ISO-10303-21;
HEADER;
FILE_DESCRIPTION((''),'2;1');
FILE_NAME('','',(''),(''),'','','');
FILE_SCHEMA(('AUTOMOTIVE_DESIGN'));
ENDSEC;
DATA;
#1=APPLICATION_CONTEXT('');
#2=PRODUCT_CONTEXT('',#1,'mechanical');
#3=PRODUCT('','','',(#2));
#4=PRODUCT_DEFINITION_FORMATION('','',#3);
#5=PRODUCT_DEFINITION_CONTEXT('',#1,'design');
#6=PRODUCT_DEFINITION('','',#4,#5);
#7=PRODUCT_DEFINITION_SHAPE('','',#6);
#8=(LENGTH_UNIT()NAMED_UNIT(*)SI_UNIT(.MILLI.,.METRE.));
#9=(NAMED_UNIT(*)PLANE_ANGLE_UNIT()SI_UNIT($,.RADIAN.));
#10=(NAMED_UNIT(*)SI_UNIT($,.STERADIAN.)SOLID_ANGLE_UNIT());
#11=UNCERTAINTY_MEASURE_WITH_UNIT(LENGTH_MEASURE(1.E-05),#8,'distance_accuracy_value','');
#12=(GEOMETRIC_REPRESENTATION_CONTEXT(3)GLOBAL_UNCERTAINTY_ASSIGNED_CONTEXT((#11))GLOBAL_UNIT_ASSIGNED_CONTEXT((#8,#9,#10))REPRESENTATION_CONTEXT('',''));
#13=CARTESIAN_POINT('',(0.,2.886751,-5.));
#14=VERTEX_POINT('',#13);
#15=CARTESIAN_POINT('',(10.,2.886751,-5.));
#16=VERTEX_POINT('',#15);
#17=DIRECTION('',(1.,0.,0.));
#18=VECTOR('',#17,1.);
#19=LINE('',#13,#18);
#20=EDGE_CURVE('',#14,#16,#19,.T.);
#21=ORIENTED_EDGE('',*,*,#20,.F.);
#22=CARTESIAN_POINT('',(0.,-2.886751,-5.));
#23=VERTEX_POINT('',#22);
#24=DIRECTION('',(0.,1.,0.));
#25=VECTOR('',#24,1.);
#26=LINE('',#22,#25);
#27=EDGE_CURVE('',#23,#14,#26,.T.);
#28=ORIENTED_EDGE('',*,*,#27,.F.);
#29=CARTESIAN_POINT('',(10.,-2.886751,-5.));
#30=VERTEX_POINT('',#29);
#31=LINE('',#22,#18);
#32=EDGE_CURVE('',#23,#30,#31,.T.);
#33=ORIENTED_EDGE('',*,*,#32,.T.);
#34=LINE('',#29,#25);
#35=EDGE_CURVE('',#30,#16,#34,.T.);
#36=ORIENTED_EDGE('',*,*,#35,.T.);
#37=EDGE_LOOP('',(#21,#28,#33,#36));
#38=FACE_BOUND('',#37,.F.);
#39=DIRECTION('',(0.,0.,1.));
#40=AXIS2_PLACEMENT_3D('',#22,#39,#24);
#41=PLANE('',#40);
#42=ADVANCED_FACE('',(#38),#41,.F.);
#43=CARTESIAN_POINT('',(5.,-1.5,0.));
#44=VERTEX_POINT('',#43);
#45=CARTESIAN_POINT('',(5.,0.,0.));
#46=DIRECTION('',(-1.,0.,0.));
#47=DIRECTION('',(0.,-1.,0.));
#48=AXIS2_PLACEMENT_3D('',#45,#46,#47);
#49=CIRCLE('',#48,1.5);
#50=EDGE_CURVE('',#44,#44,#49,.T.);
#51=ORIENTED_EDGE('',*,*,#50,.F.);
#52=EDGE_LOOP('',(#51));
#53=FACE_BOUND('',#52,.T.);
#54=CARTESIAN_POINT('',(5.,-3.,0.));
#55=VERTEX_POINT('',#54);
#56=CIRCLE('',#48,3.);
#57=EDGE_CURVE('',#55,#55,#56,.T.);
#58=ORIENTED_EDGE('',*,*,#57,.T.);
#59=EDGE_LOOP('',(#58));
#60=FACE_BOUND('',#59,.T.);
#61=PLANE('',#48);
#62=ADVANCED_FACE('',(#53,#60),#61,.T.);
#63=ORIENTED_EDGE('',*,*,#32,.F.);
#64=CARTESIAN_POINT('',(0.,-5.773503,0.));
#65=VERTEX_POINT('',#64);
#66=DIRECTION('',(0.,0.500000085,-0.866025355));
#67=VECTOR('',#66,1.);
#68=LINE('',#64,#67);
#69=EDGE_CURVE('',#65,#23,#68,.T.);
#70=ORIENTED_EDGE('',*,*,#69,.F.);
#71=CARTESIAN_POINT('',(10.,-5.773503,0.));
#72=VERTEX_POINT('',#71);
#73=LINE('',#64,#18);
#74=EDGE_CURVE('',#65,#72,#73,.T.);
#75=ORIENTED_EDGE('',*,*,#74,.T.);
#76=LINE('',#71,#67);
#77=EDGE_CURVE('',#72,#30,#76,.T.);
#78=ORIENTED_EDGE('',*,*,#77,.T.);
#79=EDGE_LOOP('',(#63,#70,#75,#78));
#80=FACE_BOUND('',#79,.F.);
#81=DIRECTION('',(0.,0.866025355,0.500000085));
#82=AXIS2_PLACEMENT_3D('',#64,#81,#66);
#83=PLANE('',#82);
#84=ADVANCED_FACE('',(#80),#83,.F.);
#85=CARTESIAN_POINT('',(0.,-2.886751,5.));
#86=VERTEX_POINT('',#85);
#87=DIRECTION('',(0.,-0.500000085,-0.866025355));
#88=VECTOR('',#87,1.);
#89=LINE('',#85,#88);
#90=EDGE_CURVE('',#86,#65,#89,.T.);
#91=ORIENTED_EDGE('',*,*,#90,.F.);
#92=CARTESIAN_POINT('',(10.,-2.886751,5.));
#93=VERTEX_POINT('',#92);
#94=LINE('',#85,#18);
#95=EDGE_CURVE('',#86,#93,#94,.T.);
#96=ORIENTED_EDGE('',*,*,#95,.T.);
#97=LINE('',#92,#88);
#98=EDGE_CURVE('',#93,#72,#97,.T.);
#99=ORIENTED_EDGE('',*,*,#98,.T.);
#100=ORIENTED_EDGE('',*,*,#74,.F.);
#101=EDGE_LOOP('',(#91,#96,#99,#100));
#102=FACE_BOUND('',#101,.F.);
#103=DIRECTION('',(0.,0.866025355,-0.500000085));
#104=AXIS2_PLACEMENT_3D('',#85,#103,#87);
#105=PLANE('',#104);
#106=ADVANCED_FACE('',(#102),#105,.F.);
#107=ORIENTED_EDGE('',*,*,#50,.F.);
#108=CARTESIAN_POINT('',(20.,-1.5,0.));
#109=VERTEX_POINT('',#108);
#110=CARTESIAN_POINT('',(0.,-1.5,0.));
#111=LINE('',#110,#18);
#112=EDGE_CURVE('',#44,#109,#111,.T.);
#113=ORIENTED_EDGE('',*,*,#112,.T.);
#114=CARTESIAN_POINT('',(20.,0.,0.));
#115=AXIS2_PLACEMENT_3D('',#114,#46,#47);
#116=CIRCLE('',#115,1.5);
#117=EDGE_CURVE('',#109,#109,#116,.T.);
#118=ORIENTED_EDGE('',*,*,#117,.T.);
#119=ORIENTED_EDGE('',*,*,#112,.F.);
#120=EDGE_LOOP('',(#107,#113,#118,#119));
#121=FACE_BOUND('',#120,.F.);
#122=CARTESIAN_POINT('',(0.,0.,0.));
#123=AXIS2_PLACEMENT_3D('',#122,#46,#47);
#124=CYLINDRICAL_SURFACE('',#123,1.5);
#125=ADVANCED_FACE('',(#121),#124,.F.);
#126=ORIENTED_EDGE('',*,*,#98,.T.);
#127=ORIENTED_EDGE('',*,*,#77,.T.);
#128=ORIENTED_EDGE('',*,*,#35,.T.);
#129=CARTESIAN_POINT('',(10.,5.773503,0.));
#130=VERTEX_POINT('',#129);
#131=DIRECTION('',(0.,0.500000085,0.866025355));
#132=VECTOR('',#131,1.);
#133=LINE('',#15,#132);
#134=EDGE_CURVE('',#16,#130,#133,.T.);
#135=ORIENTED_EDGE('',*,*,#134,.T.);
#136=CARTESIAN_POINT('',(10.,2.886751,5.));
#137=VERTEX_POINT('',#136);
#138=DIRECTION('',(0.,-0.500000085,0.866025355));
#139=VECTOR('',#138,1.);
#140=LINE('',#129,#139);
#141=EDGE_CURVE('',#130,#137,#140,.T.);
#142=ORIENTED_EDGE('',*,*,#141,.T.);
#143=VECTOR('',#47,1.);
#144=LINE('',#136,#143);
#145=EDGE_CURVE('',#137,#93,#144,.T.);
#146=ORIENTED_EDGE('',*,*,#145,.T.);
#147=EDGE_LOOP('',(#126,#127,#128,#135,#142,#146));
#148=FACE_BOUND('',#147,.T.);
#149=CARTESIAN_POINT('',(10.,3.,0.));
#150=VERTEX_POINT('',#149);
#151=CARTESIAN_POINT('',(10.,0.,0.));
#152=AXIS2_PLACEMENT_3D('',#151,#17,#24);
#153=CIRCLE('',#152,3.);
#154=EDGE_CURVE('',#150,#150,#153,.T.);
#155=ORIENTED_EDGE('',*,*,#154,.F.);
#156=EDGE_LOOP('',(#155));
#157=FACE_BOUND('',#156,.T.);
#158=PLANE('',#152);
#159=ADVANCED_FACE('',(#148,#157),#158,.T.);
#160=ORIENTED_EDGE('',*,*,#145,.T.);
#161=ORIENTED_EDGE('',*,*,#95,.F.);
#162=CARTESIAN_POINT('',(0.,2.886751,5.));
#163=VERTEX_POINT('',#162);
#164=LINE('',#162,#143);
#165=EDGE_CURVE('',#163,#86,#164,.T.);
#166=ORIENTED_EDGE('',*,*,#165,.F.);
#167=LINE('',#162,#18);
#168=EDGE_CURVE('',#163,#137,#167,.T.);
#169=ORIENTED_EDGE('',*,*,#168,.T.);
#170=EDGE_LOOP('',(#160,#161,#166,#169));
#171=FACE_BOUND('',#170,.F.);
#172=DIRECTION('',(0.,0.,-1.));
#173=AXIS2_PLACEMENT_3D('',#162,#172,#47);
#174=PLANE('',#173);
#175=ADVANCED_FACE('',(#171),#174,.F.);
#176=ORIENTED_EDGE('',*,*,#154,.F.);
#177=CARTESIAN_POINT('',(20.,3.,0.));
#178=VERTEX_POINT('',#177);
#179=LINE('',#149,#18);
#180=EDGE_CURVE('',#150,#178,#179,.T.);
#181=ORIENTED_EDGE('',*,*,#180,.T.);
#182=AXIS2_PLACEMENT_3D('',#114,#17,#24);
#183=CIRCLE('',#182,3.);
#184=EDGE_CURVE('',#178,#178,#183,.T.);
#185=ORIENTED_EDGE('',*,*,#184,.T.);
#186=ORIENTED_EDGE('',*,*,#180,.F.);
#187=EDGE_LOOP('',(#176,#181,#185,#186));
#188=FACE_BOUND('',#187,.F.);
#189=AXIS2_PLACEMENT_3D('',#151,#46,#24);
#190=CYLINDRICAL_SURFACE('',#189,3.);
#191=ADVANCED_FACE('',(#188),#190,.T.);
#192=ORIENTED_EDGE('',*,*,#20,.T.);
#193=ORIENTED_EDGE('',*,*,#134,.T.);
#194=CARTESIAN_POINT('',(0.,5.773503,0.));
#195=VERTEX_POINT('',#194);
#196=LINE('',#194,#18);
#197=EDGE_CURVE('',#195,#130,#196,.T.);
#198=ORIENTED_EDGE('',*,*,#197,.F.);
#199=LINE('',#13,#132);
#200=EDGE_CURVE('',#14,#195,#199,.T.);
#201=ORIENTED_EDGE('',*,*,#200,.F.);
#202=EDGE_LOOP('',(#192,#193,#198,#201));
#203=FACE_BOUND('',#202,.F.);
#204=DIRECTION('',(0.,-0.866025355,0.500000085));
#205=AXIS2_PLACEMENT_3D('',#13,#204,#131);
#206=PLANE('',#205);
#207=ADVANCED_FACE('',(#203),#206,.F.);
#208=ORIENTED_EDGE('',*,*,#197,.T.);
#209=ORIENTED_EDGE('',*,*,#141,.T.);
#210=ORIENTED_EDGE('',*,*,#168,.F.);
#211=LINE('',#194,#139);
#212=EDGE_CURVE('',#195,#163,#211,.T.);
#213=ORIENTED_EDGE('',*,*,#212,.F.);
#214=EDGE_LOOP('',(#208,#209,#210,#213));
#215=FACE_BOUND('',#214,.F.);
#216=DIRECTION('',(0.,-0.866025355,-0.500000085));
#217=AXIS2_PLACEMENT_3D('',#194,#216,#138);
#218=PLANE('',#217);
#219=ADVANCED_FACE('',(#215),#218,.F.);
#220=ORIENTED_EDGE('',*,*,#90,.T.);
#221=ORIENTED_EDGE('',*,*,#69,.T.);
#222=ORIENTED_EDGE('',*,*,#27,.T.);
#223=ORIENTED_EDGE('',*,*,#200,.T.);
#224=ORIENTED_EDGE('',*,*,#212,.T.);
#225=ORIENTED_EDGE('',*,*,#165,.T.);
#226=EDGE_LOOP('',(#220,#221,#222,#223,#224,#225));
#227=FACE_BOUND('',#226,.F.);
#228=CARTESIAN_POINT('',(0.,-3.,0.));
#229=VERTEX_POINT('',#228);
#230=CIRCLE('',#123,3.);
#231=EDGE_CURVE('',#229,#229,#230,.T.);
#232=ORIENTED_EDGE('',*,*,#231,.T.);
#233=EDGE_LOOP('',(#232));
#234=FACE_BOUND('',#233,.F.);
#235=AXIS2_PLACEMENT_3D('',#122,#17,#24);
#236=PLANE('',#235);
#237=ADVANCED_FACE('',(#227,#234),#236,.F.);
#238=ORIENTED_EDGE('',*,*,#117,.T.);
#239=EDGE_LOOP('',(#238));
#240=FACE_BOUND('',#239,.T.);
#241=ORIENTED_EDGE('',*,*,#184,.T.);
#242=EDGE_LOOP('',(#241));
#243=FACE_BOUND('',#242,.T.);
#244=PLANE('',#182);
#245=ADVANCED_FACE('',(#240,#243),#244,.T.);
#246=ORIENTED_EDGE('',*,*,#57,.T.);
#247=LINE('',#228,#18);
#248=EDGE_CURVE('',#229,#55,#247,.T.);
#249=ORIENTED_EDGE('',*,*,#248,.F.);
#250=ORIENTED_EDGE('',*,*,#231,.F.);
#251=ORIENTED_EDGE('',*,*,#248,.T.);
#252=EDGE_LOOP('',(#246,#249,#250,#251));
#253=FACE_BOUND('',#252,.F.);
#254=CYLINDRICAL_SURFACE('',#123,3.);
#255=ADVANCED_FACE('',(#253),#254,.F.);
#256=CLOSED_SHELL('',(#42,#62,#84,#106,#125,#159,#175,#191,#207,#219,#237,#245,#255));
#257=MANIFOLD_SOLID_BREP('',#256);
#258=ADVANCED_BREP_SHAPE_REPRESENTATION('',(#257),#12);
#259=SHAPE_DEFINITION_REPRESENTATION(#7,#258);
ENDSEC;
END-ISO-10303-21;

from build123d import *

# Parameters (mm, degrees)
F1_DEPTH = 10
F2_R     = 3
F3_DEPTH = 10
F4_R     = 1.5
F5_DEPTH = 25
F6_R     = 3
F7_DEPTH = 5


with BuildPart() as f1:
    # F0 (on Right) → F1 (new body)
    with BuildSketch(Plane.YZ):
        Polygon((2.886751, 5), (-2.886751, 5), (-5.773503, 0), (-2.886751, -5), (2.886751, -5), (5.773503, 0), align=None)
    extrude(amount=F1_DEPTH)

    # F2 (on face) → F3 (join)
    with BuildSketch(Plane.YZ.offset(10)):
        Circle(F2_R)
    extrude(amount=F3_DEPTH)

    # F4 (on face) → F5 (cut)
    with BuildSketch(Plane(origin=(0, 0, 0), x_dir=(0, -1, 0), z_dir=(-1, 0, 0))):
        Circle(F4_R)
    extrude(amount=-F5_DEPTH, mode=Mode.SUBTRACT)

    # F6 (on face) → F7 (cut)
    with BuildSketch(Plane(origin=(0, 0, 0), x_dir=(0, -1, 0), z_dir=(-1, 0, 0))):
        Circle(F6_R)
    extrude(amount=-F7_DEPTH, mode=Mode.SUBTRACT)


solid = f1.part
